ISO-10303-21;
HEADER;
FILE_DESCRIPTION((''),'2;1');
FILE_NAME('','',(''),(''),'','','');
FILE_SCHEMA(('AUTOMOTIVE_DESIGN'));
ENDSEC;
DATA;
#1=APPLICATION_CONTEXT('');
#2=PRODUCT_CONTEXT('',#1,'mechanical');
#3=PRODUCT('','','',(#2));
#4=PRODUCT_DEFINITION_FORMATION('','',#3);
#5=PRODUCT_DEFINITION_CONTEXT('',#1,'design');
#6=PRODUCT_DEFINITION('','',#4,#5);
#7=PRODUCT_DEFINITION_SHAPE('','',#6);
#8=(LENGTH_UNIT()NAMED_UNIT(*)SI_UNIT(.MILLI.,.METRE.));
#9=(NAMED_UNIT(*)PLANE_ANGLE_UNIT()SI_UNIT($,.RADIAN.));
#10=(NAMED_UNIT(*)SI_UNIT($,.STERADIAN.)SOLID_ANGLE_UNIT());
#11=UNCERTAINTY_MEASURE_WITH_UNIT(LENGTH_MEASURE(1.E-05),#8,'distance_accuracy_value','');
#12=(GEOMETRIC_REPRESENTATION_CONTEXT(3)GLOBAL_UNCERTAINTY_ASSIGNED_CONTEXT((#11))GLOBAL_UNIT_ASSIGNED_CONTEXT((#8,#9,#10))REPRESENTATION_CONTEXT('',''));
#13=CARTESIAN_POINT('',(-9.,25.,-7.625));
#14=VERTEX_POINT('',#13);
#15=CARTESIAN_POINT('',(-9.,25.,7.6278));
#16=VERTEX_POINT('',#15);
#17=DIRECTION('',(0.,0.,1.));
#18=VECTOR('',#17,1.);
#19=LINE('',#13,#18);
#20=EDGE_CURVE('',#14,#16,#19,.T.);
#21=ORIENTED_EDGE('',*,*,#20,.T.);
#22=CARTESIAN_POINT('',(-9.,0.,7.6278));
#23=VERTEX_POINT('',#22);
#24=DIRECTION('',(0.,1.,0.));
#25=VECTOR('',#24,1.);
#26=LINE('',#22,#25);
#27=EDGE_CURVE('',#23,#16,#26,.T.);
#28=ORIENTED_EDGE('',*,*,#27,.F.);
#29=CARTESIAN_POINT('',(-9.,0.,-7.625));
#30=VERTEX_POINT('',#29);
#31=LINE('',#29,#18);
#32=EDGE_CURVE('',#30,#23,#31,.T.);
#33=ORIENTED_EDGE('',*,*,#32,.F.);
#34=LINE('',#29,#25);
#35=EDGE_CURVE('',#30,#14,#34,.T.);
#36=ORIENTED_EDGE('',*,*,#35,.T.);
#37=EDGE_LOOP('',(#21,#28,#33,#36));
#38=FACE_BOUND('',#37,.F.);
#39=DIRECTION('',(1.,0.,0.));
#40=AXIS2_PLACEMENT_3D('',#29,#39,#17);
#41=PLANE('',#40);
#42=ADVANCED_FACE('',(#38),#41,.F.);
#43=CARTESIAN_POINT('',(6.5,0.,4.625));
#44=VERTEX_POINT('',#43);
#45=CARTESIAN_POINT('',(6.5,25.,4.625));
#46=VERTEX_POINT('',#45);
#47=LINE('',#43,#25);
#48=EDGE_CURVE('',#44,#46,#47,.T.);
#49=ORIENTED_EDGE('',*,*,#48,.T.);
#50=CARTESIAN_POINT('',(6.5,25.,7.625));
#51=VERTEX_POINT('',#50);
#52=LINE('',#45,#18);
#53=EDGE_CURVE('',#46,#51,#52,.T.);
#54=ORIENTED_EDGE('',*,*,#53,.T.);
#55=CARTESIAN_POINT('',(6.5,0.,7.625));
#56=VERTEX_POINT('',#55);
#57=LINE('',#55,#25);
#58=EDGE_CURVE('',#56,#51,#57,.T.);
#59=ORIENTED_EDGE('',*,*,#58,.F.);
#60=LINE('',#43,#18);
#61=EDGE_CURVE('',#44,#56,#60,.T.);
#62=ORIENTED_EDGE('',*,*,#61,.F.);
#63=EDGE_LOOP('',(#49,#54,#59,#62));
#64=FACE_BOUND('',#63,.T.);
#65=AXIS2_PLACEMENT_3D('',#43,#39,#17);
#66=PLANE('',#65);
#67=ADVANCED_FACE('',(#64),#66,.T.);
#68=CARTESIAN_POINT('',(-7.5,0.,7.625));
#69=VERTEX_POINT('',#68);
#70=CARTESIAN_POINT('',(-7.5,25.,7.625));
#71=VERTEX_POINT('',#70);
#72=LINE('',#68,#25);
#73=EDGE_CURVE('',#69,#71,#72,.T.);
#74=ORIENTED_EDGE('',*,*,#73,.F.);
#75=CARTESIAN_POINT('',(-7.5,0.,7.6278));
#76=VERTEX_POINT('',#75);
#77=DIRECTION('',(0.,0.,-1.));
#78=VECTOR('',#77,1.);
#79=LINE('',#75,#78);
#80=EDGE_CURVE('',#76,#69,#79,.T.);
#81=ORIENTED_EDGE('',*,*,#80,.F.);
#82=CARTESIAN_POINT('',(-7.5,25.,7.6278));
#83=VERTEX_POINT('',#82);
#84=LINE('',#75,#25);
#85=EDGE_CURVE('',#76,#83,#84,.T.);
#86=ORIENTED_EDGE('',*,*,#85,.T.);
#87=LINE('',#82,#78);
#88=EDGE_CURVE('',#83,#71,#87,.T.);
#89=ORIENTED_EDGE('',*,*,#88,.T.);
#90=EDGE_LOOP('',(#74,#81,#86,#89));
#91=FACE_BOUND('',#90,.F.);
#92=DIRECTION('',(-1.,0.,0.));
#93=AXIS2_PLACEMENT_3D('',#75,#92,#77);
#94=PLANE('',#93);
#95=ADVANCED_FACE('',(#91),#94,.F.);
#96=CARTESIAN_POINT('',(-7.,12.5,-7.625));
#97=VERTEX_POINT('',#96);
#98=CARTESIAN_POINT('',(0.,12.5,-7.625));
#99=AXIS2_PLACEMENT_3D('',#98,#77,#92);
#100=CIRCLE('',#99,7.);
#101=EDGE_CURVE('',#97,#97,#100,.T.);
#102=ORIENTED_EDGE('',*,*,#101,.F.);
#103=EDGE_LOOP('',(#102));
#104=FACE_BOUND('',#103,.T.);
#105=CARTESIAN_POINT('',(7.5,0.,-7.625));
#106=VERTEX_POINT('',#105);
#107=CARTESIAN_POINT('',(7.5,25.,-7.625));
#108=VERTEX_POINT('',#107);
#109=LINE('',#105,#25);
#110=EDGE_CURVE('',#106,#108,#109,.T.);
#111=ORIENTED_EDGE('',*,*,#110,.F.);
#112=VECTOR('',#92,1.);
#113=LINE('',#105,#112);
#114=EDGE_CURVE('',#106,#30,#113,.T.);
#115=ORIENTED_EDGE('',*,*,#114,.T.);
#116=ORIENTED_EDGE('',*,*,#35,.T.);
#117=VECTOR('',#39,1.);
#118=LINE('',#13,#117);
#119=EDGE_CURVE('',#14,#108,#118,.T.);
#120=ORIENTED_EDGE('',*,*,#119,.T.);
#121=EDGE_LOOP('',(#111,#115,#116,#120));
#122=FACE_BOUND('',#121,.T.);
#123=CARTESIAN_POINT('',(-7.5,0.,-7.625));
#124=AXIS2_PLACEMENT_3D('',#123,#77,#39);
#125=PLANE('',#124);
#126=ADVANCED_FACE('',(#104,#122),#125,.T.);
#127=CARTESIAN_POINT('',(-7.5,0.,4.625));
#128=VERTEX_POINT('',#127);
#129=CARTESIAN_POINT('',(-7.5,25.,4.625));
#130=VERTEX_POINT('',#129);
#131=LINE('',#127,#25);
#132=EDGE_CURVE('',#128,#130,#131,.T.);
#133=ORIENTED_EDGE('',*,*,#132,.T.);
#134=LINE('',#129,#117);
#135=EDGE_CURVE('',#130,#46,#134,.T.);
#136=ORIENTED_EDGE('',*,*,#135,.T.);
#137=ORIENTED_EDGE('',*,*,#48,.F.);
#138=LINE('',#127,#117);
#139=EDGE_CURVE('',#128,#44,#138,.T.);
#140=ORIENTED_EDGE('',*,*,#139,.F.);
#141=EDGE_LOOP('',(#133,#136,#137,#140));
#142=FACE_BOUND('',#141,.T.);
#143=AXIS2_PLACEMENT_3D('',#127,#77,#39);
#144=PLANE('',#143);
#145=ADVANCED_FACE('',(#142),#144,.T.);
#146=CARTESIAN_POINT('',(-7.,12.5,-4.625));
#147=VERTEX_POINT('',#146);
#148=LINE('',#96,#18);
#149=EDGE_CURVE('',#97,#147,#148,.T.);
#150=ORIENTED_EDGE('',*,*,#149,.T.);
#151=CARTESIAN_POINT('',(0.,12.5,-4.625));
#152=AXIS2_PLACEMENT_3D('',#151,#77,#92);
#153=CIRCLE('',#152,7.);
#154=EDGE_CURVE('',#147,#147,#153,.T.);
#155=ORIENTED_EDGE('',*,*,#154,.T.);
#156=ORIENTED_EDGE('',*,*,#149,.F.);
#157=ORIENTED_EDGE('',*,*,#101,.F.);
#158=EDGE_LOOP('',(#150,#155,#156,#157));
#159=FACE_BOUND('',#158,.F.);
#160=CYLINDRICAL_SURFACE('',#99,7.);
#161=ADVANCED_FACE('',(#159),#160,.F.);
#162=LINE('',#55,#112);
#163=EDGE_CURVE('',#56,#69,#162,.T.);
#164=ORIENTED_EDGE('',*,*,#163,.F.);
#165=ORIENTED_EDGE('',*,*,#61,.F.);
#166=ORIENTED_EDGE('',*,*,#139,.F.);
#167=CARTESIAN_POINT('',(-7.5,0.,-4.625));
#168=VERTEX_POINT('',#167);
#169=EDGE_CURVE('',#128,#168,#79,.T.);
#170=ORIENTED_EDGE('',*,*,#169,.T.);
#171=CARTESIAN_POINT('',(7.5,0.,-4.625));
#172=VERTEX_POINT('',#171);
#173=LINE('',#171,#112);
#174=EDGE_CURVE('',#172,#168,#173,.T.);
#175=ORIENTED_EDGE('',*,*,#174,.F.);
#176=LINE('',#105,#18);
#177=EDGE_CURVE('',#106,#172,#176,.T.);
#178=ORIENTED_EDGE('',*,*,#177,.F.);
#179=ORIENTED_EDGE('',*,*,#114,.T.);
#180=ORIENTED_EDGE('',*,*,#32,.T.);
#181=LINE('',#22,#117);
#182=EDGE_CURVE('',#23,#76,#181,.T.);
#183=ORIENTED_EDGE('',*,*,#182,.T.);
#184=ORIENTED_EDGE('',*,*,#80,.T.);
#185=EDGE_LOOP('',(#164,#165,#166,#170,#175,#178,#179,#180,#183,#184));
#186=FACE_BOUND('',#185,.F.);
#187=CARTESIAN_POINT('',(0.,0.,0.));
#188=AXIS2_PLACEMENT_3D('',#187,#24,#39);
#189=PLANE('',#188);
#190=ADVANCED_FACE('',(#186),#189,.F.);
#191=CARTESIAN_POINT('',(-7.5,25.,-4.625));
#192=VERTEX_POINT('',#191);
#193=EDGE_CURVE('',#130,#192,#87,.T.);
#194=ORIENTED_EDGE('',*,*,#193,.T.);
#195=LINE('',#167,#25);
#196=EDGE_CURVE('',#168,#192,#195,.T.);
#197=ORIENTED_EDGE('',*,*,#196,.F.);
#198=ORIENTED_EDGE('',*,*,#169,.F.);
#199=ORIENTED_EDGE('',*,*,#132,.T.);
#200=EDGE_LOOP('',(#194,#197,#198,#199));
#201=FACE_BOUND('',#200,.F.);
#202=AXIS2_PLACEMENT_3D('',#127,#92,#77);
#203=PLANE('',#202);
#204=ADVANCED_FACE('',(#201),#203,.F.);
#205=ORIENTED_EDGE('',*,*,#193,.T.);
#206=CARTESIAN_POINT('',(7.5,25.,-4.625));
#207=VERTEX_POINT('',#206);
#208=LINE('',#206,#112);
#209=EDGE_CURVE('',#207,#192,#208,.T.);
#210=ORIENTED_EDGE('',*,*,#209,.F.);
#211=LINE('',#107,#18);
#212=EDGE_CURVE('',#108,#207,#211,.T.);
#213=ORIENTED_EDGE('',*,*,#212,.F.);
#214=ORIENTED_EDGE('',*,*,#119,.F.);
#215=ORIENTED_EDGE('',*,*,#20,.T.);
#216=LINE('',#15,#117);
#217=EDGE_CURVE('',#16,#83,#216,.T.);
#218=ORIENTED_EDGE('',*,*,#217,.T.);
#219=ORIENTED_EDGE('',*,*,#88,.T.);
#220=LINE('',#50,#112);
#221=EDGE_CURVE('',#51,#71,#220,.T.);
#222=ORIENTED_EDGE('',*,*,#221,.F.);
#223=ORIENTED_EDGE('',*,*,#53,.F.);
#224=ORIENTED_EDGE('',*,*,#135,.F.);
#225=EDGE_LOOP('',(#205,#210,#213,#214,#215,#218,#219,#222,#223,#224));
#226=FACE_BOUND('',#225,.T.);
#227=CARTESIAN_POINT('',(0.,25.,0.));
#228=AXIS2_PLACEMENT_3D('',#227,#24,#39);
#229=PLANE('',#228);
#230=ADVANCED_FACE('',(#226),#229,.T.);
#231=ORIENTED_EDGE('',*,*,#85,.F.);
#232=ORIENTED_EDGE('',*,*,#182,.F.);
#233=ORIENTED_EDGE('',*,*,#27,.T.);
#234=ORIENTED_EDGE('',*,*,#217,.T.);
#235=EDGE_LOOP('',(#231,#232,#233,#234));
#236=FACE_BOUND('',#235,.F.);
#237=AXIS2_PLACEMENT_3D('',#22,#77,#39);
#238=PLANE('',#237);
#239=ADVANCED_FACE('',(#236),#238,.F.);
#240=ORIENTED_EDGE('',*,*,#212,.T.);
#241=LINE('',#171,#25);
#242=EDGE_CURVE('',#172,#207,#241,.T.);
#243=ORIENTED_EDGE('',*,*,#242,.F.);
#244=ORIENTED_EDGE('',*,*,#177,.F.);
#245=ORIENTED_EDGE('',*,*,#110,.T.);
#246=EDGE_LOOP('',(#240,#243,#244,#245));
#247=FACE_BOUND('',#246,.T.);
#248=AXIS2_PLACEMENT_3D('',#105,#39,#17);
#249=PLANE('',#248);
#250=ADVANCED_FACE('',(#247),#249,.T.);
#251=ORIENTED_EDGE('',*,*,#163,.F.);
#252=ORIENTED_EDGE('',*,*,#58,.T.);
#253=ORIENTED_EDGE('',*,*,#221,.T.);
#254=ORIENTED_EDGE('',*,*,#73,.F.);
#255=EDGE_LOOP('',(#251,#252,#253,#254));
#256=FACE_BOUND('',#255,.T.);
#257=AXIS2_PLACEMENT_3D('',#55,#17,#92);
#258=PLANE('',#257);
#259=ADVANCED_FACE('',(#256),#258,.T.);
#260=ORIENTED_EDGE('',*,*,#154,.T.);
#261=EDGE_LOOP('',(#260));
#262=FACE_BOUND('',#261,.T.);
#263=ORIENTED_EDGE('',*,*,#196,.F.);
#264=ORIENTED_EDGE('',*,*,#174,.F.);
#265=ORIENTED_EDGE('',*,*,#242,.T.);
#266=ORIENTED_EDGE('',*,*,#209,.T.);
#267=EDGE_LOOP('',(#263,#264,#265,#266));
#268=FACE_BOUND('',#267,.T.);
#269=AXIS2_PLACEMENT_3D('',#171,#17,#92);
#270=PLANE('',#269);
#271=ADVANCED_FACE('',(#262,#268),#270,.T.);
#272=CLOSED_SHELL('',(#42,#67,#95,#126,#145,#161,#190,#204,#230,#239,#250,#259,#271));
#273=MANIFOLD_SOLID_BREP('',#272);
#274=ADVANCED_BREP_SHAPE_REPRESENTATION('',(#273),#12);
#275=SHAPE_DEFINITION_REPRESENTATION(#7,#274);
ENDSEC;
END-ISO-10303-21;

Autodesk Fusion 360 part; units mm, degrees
sketch "Sketch1" plane through (0, 0, 0) normal (0, 1, 0) x (1, 0, 0)
  line L0 (-7.5, 7.625) -> (7.5, 7.625)
  line L1 (7.5, 7.625) -> (7.5, 4.625)
  line L2 (7.5, 4.625) -> (-7.5, 4.625)
  line L3 (-7.5, 4.625) -> (-7.5, 7.625)
  line L4 (-7.5, -4.625) -> (6.5, -4.625)
  line L5 (6.5, -4.625) -> (6.5, -7.625)
  line L6 (6.5, -7.625) -> (-7.5, -7.625)
  line L7 (-7.5, -7.625) -> (-7.5, -4.625)
  line L8 (-7.5, 7.625) -> (-9, 7.625)
  line L9 (-9, 7.625) -> (-9, -7.6278)
  line L10 (-9, -7.6278) -> (-7.5, -7.6278)
  line L11 (-7.5, -7.6278) -> (-7.5, 7.625)
  dimension "d3" = 4.625
  dimension "d4" = 4.625
  dimension "d5" = 15
  dimension "d6" = 7.5
  dimension "d7" = 14
  dimension "d9" = 7.5
  dimension "d10" = 1.5
extrude "Extrude1" add sketch "Sketch1" along normal blind 25
sketch "Sketch2" plane through (0, 0, -7.625) normal (0, 0, -1) x (-1, 0, 0)
  line L0 (-7.5, 0) -> (9, 0)
  line L1 (9, 0) -> (9, 25)
  line L2 (9, 25) -> (-7.5, 25)
  line L3 (-7.5, 25) -> (-7.5, 0)
  circle A0 centre (0, 12.5) radius 7
  dimension "d13" = 9
  dimension "d14" = 14
  dimension "d15" = 12.5
extrude "Extrude2" cut sketch "Sketch2" against normal blind 9 contours A0
equation "d3 = ( 9.25 / 2 ) * 1 mm"
equation "d4 = ( 9.25 / 2 ) * 1 mm"
